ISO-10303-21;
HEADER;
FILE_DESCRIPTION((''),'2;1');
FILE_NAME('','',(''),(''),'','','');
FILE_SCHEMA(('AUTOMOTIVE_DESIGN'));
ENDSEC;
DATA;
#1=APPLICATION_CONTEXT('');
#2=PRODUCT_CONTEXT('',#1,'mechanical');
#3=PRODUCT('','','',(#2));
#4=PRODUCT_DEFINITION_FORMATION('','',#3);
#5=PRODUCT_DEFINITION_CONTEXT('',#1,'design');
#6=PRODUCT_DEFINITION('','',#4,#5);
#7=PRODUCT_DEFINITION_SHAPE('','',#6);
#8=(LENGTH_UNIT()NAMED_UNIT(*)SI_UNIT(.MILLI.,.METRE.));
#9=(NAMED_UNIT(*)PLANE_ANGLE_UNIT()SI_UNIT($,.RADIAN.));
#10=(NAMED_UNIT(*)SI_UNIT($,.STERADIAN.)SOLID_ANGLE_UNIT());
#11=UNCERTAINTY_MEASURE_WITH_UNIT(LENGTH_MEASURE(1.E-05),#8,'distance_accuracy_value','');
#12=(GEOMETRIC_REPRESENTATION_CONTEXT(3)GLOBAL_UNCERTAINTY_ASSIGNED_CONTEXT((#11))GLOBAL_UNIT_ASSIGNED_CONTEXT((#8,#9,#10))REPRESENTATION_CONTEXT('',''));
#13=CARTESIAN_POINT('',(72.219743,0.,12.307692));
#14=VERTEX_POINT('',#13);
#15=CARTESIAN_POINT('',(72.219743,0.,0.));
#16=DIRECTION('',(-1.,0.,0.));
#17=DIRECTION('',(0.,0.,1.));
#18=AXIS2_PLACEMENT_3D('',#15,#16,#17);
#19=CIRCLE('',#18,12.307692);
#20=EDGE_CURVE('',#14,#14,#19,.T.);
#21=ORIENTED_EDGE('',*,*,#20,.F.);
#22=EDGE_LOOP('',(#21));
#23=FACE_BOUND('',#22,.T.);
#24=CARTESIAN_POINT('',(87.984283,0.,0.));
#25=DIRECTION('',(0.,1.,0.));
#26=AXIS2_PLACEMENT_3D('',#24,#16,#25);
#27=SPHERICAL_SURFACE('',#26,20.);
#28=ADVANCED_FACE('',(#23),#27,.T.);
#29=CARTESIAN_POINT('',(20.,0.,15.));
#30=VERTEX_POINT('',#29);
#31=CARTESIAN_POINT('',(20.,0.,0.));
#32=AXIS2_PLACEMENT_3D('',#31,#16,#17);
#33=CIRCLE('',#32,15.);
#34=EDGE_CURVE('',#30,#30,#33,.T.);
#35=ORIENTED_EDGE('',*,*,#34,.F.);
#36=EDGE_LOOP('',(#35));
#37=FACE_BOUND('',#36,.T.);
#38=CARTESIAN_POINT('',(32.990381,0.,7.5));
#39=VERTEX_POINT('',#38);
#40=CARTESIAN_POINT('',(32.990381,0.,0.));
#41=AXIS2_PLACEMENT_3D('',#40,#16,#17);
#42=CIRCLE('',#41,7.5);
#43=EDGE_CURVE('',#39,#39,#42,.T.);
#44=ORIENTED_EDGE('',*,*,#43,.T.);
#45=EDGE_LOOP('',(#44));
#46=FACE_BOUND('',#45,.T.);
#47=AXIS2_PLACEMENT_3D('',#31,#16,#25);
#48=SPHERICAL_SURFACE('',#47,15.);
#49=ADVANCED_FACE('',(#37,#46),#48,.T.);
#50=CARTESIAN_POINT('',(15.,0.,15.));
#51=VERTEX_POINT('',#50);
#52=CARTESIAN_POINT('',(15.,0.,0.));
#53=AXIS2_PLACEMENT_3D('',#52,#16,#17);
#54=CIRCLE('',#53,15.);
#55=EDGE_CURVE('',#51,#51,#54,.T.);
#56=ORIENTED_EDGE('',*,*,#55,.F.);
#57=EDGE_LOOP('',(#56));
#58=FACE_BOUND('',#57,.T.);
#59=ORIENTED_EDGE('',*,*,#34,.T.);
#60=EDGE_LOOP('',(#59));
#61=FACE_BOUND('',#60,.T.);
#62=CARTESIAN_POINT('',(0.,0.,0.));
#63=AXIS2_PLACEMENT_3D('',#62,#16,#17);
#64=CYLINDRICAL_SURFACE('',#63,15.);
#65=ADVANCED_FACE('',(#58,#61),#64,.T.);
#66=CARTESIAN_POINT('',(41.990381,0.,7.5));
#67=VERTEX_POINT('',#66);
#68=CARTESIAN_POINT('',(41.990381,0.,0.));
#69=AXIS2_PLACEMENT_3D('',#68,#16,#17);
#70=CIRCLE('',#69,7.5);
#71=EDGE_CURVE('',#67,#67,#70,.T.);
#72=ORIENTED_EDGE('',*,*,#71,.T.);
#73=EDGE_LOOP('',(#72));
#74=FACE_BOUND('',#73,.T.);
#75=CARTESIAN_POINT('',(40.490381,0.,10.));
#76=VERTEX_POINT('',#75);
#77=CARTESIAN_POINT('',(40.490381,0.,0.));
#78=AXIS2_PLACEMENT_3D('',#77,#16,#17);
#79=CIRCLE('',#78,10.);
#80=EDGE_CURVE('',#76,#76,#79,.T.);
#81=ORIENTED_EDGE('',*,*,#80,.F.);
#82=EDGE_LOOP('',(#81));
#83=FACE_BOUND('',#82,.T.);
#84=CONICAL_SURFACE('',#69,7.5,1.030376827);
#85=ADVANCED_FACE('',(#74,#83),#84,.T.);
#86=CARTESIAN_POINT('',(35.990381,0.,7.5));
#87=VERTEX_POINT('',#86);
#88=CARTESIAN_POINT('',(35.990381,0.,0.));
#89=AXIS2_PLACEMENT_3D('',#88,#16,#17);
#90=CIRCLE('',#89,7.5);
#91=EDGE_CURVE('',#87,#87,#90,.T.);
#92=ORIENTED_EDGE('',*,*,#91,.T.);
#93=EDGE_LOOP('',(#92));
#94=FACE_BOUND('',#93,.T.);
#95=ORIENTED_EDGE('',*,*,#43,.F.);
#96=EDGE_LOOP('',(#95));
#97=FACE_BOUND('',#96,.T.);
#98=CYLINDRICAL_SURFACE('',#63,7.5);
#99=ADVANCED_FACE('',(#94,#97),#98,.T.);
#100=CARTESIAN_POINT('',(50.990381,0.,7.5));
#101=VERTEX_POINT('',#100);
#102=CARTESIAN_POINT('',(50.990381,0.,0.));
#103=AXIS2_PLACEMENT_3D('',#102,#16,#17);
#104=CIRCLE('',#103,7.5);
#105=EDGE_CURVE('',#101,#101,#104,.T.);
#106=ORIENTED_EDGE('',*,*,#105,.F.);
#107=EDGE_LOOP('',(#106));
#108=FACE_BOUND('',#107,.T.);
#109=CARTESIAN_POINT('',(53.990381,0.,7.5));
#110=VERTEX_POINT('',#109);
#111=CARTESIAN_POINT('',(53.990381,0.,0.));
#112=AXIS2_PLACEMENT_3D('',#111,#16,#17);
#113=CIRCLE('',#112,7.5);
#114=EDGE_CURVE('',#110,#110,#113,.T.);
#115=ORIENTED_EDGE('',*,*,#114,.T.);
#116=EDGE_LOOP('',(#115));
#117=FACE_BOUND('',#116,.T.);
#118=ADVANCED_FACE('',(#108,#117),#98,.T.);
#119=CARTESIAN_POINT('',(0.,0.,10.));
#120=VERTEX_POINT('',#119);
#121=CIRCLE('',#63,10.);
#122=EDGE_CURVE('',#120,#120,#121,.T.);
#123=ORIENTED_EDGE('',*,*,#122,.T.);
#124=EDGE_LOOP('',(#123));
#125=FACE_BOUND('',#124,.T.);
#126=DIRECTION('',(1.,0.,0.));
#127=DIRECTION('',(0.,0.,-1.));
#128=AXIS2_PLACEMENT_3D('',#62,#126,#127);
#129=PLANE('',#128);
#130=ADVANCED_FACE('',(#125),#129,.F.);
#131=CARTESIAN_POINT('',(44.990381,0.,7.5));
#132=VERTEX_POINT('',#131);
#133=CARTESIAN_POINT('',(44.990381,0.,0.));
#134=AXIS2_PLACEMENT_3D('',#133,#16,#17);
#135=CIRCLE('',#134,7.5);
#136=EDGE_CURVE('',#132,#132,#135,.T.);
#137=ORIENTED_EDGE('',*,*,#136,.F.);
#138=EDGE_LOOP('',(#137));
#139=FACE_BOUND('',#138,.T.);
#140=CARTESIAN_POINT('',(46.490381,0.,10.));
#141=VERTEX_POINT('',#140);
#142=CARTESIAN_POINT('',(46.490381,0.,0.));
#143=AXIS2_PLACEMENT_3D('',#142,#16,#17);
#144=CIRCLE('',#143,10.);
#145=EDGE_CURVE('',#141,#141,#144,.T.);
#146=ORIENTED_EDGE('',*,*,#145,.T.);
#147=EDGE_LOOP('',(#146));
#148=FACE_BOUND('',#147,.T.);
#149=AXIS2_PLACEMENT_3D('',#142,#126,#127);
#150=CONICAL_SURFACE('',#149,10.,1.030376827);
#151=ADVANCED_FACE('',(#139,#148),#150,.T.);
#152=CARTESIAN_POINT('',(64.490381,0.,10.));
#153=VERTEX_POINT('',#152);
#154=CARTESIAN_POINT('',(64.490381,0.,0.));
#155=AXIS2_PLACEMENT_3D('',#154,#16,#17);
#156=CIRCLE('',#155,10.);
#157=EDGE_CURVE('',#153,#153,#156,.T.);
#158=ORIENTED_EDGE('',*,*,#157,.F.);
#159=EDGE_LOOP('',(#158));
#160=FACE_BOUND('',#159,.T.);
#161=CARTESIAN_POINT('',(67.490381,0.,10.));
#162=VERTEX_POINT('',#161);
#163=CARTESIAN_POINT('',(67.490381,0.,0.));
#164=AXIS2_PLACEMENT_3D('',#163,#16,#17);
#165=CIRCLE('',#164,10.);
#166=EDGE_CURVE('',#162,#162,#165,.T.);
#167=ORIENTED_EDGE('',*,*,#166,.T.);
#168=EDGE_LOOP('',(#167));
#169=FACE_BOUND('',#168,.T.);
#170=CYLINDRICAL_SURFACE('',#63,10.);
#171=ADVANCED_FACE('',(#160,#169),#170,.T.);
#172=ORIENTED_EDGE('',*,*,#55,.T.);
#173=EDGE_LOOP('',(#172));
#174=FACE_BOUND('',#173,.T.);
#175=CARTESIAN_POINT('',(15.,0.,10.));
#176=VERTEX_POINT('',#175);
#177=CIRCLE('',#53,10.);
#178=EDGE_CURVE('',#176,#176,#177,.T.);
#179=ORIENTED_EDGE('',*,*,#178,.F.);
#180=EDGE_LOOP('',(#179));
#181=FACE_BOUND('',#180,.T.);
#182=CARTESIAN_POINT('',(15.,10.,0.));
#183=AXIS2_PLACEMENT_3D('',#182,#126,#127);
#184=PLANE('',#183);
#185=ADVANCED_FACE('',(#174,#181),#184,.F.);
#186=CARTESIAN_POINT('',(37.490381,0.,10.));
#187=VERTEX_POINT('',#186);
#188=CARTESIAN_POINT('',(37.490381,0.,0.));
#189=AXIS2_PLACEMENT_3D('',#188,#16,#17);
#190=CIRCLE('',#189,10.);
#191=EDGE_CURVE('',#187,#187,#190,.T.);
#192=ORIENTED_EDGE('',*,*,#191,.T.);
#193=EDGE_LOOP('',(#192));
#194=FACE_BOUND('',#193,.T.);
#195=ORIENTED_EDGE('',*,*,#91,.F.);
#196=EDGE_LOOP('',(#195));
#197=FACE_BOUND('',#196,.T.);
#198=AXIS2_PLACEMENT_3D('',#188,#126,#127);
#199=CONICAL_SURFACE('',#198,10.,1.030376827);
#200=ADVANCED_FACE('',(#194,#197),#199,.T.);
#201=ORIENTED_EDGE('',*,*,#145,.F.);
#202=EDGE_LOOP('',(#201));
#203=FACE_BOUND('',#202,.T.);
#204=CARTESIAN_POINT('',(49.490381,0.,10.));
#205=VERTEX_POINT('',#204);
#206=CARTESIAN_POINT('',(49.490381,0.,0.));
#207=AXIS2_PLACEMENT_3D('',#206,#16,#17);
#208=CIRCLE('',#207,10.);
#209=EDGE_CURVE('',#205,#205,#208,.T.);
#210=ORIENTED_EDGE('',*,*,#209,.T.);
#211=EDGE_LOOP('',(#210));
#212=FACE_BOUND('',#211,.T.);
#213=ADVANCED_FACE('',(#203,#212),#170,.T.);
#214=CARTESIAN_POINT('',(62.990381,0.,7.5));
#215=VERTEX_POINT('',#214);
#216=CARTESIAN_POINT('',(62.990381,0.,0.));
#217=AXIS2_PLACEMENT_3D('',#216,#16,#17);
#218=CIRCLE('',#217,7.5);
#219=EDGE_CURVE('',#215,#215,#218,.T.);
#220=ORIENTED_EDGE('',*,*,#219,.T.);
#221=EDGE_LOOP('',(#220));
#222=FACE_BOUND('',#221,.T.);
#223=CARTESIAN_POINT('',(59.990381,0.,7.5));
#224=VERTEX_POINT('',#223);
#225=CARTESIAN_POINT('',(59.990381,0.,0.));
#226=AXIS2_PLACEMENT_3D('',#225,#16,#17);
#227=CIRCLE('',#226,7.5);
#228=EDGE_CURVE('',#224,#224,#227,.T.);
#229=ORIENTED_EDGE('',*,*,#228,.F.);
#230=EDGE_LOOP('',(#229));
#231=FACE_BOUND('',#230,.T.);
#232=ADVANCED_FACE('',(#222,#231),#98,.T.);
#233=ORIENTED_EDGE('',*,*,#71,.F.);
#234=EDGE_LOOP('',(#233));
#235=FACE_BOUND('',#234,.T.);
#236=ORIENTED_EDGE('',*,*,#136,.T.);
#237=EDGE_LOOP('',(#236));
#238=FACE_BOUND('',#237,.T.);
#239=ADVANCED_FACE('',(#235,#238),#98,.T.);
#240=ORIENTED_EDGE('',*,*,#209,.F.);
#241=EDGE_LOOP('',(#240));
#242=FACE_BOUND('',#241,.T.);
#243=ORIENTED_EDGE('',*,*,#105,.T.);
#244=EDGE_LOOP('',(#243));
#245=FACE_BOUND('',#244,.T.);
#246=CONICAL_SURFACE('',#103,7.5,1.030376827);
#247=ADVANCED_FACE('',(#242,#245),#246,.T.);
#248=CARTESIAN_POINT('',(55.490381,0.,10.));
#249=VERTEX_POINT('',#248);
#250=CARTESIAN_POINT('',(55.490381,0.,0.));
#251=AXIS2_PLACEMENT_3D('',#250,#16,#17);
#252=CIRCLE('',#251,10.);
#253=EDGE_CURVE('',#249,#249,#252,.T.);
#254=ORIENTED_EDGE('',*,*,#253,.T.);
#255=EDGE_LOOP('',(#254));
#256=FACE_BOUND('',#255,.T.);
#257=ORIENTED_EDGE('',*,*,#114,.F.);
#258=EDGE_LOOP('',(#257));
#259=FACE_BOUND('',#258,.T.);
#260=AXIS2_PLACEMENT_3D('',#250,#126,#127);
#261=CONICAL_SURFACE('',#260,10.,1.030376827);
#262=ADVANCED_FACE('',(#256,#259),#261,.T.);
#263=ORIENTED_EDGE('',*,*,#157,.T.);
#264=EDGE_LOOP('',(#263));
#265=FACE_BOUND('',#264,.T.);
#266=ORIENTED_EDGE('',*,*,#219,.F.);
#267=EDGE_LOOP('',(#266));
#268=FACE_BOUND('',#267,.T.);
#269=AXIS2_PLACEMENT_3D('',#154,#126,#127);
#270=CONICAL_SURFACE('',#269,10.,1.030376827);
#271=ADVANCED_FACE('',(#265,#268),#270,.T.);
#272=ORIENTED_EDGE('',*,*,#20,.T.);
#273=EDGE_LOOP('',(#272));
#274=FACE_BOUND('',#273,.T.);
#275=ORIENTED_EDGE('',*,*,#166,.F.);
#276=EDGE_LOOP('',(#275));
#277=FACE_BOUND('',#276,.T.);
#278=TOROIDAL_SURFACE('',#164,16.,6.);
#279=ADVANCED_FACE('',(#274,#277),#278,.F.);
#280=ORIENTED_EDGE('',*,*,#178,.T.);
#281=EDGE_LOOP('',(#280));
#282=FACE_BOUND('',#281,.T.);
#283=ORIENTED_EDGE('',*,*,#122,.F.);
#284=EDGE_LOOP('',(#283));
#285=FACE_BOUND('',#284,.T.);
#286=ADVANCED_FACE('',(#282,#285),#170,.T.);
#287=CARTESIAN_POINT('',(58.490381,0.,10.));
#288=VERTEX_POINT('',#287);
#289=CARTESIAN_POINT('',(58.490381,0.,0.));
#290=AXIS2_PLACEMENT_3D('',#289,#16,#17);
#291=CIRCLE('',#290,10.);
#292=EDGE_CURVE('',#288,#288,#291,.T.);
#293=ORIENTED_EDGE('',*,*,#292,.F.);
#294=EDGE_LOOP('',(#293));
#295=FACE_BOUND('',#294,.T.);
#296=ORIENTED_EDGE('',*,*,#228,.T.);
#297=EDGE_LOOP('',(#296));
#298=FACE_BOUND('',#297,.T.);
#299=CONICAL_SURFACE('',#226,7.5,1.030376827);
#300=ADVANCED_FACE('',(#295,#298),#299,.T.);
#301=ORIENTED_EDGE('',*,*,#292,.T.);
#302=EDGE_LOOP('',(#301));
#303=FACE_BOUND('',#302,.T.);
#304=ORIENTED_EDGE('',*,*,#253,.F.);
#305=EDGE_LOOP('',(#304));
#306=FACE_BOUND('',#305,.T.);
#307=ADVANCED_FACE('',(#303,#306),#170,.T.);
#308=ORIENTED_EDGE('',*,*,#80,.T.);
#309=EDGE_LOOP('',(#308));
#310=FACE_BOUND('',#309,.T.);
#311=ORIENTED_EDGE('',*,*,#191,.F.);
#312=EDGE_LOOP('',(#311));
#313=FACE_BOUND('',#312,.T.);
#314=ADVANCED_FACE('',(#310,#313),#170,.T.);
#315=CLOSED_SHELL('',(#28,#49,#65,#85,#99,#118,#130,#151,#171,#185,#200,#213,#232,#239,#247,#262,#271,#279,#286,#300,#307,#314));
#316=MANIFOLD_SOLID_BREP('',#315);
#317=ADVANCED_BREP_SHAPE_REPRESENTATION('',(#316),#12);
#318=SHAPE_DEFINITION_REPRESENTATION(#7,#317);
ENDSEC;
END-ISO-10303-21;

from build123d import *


with BuildPart() as part:
    # Sketch1 → Revolve1 (revolve)
    with BuildSketch(Plane.XY, mode=Mode.PRIVATE) as revolve1_sk:
        with BuildLine():
            Line((0, 0), (0, 10))
            Line((0, 10), (15, 10))
            Line((15, 10), (15, 15))
            Line((15, 15), (20, 15))
            ThreePointArc((20, 15), (27.5, 12.990381057), (32.990381057, 7.5))
            Line((32.990381057, 7.5), (35.990381057, 7.5))
            Line((35.990381057, 7.5), (37.490381057, 10))
            Line((37.490381057, 10), (40.490381057, 10))
            Line((40.490381057, 10), (41.990381057, 7.5))
            Line((41.990381057, 7.5), (44.990381057, 7.5))
            Line((44.990381057, 7.5), (46.490381057, 10))
            Line((46.490381057, 10), (49.490381057, 10))
            Line((49.490381057, 10), (50.990381057, 7.5))
            Line((50.990381057, 7.5), (53.990381057, 7.5))
            Line((53.990381057, 7.5), (55.490381057, 10))
            Line((55.490381057, 10), (58.490381057, 10))
            Line((58.490381057, 10), (59.990381057, 7.5))
            Line((59.990381057, 7.5), (62.990381057, 7.5))
            Line((62.990381057, 7.5), (64.490381057, 10))
            Line((64.490381057, 10), (67.490381057, 10))
            ThreePointArc((67.490381057, 10), (70.121555115, 10.607697794), (72.219742949, 12.307692308))
            ThreePointArc((72.219742949, 12.307692308), (94.492324045, 18.911514916), (107.984282589, 0))
            Line((107.984282589, 0), (0, 0))
        make_face()
    revolve(revolve1_sk.sketch.rotate(Axis((0, 0, 0), (1, 0, 0)), 90), axis=Axis((0, 0, 0), (1, 0, 0)))


solid = part.part
